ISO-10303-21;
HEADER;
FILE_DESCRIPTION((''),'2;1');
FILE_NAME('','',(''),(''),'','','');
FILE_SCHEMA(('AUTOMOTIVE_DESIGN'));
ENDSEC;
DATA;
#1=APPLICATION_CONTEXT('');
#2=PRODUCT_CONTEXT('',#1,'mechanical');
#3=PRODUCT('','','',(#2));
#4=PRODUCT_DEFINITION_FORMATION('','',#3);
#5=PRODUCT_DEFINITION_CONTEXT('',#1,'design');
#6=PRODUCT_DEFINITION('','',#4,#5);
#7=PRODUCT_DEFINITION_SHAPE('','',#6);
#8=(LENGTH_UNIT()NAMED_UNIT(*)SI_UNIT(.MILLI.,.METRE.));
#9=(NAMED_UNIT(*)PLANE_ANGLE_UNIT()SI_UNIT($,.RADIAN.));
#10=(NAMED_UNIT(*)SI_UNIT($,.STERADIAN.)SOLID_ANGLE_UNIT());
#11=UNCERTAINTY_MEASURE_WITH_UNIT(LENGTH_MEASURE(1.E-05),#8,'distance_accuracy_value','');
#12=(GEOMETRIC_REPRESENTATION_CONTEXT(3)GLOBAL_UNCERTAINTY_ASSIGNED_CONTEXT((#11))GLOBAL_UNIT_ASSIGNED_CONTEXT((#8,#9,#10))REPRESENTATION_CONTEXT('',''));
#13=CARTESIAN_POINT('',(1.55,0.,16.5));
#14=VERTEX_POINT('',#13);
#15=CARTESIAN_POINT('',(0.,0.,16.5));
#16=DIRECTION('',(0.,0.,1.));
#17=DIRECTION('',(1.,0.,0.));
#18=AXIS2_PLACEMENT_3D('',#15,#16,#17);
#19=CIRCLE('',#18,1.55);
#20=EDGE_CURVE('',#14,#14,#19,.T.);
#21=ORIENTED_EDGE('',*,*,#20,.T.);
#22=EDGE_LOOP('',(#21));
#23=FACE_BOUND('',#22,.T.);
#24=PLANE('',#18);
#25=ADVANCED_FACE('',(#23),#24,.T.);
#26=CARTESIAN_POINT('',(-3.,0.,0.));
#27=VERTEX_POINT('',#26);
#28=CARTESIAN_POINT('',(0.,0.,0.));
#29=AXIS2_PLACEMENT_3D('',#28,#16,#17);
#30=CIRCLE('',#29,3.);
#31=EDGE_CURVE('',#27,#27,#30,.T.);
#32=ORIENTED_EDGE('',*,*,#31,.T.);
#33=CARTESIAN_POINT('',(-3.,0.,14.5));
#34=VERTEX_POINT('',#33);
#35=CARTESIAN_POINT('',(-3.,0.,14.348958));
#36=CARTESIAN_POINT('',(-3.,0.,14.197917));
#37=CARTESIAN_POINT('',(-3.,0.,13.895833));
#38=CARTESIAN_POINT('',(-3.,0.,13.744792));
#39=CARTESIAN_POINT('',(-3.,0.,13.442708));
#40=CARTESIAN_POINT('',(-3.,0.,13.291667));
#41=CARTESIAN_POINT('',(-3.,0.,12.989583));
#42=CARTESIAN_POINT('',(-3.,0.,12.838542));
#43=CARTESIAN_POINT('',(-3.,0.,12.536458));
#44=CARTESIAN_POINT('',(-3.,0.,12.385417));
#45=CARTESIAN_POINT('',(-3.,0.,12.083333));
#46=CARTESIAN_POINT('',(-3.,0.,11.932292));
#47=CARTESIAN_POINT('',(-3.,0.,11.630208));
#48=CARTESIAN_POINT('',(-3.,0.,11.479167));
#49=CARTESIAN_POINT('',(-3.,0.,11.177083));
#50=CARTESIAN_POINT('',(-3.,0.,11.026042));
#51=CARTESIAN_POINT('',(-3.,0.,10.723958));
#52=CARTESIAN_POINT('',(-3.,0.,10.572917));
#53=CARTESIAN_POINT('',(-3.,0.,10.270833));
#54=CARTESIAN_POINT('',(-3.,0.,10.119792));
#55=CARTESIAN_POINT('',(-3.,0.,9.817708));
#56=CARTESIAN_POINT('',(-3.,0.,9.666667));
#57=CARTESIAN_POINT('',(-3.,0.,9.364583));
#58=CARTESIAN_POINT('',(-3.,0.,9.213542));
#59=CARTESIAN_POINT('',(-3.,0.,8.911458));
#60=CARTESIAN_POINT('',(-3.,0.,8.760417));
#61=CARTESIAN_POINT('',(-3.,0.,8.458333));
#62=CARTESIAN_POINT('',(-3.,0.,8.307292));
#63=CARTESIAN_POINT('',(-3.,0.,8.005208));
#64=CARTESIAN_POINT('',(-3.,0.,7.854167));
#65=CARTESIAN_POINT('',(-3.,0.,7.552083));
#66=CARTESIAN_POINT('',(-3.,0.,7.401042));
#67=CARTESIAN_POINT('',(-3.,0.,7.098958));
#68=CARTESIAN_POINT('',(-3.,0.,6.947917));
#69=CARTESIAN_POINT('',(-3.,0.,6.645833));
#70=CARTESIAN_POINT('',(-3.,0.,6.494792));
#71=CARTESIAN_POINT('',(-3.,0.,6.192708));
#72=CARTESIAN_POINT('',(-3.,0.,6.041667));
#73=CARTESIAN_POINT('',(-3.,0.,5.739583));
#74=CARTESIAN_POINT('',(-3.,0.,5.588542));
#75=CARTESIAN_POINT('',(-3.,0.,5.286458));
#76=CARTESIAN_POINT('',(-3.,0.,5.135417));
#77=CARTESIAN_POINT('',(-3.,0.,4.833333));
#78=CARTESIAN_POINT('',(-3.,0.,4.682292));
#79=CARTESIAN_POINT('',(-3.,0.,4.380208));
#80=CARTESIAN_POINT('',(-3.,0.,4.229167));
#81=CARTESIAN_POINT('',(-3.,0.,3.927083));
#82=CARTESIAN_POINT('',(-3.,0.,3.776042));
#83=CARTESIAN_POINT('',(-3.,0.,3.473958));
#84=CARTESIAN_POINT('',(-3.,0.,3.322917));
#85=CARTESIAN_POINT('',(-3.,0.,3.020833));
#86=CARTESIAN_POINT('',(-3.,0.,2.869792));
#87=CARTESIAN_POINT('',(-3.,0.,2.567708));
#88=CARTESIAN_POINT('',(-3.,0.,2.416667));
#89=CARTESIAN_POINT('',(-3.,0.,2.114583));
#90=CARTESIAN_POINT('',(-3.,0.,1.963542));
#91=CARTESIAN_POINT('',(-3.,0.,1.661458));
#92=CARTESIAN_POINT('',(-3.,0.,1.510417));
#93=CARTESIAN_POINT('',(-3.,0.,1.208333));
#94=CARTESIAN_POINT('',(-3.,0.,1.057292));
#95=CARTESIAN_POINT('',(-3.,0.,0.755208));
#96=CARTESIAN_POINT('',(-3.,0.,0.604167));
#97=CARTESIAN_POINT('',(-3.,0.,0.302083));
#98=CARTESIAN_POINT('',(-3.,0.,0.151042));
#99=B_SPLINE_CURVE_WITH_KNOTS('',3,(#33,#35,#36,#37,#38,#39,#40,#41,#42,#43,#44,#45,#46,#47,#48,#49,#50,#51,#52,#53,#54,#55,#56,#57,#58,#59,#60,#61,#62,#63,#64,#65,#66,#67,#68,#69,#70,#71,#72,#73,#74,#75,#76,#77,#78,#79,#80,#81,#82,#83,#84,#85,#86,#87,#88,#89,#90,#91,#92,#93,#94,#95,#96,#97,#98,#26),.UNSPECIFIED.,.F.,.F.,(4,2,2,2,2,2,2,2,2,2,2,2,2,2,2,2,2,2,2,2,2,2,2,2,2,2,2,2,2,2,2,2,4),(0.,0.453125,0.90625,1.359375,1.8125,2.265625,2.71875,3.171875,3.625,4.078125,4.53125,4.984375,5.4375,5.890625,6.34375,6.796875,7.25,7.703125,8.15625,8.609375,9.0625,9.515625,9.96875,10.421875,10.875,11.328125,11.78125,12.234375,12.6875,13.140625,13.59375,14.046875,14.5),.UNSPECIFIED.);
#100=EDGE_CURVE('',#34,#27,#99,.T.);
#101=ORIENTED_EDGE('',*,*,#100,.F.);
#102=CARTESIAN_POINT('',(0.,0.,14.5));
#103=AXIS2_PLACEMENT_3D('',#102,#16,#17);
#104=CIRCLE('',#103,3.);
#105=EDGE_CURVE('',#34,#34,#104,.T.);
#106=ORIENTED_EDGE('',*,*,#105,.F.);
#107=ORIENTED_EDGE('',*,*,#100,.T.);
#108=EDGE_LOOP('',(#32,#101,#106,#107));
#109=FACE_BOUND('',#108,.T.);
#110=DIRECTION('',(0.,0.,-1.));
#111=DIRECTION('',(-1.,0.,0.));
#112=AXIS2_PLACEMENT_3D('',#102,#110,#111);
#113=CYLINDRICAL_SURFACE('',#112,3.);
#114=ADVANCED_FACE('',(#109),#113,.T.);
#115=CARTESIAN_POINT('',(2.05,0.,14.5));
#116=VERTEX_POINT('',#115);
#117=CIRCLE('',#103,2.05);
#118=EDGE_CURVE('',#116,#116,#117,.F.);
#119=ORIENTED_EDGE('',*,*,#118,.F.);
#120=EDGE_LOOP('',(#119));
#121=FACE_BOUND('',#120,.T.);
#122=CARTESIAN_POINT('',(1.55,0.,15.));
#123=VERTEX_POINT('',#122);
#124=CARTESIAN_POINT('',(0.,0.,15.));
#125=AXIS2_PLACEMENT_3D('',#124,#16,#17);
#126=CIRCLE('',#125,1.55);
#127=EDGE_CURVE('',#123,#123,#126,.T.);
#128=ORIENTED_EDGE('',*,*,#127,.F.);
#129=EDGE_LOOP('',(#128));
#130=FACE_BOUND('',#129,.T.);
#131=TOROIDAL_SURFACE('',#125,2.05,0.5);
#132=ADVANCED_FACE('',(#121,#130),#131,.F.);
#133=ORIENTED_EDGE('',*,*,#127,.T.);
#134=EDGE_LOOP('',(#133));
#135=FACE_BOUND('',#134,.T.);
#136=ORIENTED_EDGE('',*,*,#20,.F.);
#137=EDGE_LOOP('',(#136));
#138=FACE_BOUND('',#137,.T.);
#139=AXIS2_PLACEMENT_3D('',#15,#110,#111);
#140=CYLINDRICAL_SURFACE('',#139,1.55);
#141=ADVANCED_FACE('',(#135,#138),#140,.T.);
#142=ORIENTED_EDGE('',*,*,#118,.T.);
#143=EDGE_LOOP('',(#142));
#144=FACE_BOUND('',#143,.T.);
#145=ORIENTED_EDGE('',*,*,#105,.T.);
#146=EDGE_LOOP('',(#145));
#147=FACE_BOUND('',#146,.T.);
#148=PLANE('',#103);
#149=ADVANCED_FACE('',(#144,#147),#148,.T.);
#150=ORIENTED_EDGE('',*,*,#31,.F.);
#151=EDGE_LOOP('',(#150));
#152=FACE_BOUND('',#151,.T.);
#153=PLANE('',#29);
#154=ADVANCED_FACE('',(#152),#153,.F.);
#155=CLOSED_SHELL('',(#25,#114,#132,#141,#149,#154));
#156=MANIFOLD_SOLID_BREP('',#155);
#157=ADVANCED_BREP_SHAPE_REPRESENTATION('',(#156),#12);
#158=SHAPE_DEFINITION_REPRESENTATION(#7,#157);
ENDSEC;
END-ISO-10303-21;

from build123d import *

# Parameters (mm, degrees)
SKETCH1_R           = 3
SKETCH1_R_2         = 1.55
BOSS_EXTRUDE1_DEPTH = 14.5
BOSS_EXTRUDE2_START = 14.5
SKETCH1_3_R         = 1.55
BOSS_EXTRUDE2_DEPTH = 2
FILLET1_R           = 0.5


with BuildPart() as part:
    # Sketch1 → Boss-Extrude1 (new body)
    # profile 1 of 2: a face of its own
    with BuildSketch(Plane.XY):
        with Locations(Location((0, 0, 0), (0, 0, 180))):
            Circle(SKETCH1_R)
        Circle(SKETCH1_R_2, mode=Mode.SUBTRACT)
    # profile 2 of 2: a face of its own
    with BuildSketch(Plane.XY):
        Circle(SKETCH1_R_2)
    extrude(amount=BOSS_EXTRUDE1_DEPTH)

    # Sketch1<3> → Boss-Extrude2 (add)
    with BuildSketch(Plane.XY.offset(BOSS_EXTRUDE2_START)):
        Circle(SKETCH1_3_R)
    extrude(amount=BOSS_EXTRUDE2_DEPTH)

    # Fillet1
    fillet1_edges = [part.edges().sort_by_distance(p)[0] for p in [
        (-1.55, 0, 14.5),
    ]]
    fillet(fillet1_edges, radius=FILLET1_R)


solid = part.part
